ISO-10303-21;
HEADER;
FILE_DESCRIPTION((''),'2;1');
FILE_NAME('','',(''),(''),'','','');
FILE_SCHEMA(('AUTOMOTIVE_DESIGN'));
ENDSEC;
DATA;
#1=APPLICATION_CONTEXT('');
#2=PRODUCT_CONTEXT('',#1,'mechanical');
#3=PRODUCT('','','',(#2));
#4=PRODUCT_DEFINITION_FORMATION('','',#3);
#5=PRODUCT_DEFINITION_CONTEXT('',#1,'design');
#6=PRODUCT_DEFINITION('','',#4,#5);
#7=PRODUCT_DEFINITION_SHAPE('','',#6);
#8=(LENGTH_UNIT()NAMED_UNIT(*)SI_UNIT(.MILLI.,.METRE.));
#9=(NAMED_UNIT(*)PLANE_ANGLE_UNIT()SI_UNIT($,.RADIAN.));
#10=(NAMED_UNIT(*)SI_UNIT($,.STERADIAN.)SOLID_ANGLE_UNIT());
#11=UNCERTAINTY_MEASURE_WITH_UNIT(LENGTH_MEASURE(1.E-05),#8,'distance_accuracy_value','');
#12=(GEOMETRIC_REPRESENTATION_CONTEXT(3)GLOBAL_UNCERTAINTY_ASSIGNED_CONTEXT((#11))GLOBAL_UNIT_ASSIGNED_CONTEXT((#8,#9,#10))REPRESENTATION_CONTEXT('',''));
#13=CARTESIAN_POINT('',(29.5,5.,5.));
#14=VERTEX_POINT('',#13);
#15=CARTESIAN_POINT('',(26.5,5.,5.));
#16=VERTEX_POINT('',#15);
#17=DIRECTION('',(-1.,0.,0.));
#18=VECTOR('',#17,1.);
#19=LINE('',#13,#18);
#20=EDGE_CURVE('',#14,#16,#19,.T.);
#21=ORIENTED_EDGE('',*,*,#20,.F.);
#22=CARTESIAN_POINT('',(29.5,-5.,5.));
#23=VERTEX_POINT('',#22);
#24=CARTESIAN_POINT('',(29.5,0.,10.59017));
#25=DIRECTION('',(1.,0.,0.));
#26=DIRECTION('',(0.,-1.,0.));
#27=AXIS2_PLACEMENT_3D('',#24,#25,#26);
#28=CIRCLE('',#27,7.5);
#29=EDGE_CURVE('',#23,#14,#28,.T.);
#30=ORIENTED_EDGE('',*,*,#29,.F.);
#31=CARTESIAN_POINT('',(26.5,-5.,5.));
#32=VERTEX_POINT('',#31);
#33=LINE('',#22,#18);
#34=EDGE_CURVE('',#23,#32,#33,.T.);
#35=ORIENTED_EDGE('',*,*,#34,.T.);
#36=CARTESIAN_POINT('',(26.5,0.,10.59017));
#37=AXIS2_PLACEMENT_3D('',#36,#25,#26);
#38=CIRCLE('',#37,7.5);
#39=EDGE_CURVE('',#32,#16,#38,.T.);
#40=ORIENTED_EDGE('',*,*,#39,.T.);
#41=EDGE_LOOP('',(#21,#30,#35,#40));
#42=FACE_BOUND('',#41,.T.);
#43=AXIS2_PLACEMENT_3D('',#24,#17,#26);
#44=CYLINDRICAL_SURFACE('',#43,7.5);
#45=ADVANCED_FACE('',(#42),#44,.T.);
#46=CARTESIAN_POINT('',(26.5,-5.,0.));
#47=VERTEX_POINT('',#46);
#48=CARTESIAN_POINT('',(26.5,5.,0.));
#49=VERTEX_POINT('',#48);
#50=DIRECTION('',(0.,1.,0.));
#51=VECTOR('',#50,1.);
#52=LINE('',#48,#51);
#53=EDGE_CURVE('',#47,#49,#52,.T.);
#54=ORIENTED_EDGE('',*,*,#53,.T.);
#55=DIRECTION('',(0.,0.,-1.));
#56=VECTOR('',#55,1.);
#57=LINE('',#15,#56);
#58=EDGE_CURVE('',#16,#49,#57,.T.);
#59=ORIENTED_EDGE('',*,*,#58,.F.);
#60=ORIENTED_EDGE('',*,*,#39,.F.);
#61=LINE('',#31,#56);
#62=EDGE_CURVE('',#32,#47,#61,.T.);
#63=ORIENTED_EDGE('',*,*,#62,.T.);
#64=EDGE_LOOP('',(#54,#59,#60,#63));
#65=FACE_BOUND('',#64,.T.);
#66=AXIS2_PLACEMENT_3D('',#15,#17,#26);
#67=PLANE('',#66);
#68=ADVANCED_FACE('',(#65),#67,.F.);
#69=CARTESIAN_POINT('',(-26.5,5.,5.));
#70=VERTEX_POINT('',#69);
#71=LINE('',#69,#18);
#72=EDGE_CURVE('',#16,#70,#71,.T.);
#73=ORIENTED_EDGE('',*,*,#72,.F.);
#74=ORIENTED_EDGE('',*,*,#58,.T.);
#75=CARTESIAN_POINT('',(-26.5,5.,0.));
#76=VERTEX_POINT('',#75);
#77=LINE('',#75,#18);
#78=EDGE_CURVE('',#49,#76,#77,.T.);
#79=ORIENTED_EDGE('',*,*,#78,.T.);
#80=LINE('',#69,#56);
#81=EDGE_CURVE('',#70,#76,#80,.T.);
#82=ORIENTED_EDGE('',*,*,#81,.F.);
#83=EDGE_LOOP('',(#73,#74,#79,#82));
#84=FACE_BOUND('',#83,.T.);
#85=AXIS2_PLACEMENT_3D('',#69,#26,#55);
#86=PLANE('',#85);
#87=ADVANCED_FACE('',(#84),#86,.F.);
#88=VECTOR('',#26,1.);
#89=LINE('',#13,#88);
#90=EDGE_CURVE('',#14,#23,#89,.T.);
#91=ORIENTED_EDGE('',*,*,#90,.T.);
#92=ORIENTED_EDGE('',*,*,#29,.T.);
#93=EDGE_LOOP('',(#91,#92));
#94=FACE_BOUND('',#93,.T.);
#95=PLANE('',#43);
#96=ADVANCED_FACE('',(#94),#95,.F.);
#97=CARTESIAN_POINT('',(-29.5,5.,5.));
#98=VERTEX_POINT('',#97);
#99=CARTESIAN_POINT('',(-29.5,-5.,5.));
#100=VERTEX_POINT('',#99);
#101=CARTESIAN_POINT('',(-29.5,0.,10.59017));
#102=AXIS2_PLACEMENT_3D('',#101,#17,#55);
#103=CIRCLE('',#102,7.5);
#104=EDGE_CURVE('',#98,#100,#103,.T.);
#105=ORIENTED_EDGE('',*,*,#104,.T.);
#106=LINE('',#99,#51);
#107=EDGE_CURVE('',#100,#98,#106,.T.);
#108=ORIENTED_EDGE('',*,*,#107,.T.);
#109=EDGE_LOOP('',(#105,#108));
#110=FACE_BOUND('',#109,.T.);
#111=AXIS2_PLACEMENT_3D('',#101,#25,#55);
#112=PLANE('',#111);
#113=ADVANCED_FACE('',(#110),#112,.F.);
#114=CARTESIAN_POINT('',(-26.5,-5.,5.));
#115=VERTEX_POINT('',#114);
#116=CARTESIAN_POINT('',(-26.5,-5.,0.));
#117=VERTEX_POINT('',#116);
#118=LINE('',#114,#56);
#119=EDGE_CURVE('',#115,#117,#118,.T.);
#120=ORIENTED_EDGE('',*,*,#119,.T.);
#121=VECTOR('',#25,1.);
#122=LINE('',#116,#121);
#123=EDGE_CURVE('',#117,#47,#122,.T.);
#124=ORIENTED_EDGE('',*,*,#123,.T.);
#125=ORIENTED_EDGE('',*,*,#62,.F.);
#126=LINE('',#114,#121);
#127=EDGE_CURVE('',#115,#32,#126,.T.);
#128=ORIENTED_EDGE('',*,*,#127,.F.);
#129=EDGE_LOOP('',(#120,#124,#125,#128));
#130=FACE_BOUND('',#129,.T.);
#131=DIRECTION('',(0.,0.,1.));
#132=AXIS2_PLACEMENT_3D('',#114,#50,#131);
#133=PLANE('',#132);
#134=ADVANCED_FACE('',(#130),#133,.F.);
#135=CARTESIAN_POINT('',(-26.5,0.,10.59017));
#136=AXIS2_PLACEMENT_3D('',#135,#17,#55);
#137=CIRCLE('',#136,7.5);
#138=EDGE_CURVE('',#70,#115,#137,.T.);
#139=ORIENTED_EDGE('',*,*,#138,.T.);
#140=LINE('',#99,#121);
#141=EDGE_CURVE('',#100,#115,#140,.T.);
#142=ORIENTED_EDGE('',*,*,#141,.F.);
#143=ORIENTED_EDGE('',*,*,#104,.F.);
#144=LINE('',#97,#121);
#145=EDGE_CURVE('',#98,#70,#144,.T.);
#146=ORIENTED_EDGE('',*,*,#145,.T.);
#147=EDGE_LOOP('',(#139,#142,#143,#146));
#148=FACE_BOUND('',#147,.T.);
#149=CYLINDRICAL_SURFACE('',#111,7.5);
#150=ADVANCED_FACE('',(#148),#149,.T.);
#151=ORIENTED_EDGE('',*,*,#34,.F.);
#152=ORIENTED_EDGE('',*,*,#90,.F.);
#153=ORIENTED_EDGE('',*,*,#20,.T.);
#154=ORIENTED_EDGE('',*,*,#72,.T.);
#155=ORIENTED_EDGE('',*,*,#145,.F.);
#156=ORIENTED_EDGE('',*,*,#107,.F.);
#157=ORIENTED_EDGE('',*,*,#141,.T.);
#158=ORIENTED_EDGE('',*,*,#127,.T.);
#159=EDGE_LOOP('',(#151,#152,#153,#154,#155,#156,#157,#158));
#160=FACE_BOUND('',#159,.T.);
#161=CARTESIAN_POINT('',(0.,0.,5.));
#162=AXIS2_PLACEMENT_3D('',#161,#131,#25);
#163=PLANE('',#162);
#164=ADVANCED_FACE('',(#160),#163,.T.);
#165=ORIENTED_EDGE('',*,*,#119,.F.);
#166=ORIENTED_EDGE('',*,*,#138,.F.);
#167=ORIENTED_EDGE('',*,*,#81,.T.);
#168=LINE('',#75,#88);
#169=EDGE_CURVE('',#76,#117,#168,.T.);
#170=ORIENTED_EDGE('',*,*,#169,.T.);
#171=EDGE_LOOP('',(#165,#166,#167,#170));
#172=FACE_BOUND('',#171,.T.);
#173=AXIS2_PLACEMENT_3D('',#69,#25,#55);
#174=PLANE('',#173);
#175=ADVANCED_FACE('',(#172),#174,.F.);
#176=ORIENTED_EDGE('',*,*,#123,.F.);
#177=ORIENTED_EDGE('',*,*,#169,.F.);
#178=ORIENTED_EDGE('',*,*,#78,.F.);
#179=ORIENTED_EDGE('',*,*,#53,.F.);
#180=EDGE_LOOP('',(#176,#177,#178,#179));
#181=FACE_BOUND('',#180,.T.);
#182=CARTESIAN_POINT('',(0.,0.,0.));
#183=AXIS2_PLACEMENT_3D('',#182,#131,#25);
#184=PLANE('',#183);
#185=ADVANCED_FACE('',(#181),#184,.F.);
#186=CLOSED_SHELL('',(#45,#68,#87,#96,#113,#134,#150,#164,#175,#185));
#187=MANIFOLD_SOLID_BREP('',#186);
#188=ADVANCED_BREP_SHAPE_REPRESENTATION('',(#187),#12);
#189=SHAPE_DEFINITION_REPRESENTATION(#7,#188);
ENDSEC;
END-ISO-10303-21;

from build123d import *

# Parameters (mm, degrees)
SKETCH_1_W      = 53
SKETCH_1_H      = 10
EXTRUDE_1_DEPTH = 5
EXTRUDE_2_DEPTH = 3
EXTRUDE_START   = 3
EXTRUDE_3_DEPTH = 3


with BuildPart() as part:
    # 草图1 → 凸台-拉伸1 (new body)
    with BuildSketch(Plane.XY):
        Rectangle(SKETCH_1_W, SKETCH_1_H)
    extrude(amount=EXTRUDE_1_DEPTH)

    # 草图2 → 凸台-拉伸2 (add)
    with BuildSketch(Plane(origin=(26.5, 0, 0), x_dir=(0, 0, -1), z_dir=(1, 0, 0))):
        with BuildLine():
            Line((-5, 5), (-5, -5))
            ThreePointArc((-5, -5), (-3.090169944, 0), (-5, 5))
        make_face()
    extrude(amount=EXTRUDE_2_DEPTH)

    # 草图3 → 凸台-拉伸3 (add)
    with BuildSketch(Plane.ZY.offset(26.5).offset(EXTRUDE_START)):
        with BuildLine():
            Line((5, -5), (5, 5))
            ThreePointArc((5, 5), (3.090169944, 0), (5, -5))
        make_face()
    extrude(amount=-EXTRUDE_3_DEPTH)


solid = part.part
